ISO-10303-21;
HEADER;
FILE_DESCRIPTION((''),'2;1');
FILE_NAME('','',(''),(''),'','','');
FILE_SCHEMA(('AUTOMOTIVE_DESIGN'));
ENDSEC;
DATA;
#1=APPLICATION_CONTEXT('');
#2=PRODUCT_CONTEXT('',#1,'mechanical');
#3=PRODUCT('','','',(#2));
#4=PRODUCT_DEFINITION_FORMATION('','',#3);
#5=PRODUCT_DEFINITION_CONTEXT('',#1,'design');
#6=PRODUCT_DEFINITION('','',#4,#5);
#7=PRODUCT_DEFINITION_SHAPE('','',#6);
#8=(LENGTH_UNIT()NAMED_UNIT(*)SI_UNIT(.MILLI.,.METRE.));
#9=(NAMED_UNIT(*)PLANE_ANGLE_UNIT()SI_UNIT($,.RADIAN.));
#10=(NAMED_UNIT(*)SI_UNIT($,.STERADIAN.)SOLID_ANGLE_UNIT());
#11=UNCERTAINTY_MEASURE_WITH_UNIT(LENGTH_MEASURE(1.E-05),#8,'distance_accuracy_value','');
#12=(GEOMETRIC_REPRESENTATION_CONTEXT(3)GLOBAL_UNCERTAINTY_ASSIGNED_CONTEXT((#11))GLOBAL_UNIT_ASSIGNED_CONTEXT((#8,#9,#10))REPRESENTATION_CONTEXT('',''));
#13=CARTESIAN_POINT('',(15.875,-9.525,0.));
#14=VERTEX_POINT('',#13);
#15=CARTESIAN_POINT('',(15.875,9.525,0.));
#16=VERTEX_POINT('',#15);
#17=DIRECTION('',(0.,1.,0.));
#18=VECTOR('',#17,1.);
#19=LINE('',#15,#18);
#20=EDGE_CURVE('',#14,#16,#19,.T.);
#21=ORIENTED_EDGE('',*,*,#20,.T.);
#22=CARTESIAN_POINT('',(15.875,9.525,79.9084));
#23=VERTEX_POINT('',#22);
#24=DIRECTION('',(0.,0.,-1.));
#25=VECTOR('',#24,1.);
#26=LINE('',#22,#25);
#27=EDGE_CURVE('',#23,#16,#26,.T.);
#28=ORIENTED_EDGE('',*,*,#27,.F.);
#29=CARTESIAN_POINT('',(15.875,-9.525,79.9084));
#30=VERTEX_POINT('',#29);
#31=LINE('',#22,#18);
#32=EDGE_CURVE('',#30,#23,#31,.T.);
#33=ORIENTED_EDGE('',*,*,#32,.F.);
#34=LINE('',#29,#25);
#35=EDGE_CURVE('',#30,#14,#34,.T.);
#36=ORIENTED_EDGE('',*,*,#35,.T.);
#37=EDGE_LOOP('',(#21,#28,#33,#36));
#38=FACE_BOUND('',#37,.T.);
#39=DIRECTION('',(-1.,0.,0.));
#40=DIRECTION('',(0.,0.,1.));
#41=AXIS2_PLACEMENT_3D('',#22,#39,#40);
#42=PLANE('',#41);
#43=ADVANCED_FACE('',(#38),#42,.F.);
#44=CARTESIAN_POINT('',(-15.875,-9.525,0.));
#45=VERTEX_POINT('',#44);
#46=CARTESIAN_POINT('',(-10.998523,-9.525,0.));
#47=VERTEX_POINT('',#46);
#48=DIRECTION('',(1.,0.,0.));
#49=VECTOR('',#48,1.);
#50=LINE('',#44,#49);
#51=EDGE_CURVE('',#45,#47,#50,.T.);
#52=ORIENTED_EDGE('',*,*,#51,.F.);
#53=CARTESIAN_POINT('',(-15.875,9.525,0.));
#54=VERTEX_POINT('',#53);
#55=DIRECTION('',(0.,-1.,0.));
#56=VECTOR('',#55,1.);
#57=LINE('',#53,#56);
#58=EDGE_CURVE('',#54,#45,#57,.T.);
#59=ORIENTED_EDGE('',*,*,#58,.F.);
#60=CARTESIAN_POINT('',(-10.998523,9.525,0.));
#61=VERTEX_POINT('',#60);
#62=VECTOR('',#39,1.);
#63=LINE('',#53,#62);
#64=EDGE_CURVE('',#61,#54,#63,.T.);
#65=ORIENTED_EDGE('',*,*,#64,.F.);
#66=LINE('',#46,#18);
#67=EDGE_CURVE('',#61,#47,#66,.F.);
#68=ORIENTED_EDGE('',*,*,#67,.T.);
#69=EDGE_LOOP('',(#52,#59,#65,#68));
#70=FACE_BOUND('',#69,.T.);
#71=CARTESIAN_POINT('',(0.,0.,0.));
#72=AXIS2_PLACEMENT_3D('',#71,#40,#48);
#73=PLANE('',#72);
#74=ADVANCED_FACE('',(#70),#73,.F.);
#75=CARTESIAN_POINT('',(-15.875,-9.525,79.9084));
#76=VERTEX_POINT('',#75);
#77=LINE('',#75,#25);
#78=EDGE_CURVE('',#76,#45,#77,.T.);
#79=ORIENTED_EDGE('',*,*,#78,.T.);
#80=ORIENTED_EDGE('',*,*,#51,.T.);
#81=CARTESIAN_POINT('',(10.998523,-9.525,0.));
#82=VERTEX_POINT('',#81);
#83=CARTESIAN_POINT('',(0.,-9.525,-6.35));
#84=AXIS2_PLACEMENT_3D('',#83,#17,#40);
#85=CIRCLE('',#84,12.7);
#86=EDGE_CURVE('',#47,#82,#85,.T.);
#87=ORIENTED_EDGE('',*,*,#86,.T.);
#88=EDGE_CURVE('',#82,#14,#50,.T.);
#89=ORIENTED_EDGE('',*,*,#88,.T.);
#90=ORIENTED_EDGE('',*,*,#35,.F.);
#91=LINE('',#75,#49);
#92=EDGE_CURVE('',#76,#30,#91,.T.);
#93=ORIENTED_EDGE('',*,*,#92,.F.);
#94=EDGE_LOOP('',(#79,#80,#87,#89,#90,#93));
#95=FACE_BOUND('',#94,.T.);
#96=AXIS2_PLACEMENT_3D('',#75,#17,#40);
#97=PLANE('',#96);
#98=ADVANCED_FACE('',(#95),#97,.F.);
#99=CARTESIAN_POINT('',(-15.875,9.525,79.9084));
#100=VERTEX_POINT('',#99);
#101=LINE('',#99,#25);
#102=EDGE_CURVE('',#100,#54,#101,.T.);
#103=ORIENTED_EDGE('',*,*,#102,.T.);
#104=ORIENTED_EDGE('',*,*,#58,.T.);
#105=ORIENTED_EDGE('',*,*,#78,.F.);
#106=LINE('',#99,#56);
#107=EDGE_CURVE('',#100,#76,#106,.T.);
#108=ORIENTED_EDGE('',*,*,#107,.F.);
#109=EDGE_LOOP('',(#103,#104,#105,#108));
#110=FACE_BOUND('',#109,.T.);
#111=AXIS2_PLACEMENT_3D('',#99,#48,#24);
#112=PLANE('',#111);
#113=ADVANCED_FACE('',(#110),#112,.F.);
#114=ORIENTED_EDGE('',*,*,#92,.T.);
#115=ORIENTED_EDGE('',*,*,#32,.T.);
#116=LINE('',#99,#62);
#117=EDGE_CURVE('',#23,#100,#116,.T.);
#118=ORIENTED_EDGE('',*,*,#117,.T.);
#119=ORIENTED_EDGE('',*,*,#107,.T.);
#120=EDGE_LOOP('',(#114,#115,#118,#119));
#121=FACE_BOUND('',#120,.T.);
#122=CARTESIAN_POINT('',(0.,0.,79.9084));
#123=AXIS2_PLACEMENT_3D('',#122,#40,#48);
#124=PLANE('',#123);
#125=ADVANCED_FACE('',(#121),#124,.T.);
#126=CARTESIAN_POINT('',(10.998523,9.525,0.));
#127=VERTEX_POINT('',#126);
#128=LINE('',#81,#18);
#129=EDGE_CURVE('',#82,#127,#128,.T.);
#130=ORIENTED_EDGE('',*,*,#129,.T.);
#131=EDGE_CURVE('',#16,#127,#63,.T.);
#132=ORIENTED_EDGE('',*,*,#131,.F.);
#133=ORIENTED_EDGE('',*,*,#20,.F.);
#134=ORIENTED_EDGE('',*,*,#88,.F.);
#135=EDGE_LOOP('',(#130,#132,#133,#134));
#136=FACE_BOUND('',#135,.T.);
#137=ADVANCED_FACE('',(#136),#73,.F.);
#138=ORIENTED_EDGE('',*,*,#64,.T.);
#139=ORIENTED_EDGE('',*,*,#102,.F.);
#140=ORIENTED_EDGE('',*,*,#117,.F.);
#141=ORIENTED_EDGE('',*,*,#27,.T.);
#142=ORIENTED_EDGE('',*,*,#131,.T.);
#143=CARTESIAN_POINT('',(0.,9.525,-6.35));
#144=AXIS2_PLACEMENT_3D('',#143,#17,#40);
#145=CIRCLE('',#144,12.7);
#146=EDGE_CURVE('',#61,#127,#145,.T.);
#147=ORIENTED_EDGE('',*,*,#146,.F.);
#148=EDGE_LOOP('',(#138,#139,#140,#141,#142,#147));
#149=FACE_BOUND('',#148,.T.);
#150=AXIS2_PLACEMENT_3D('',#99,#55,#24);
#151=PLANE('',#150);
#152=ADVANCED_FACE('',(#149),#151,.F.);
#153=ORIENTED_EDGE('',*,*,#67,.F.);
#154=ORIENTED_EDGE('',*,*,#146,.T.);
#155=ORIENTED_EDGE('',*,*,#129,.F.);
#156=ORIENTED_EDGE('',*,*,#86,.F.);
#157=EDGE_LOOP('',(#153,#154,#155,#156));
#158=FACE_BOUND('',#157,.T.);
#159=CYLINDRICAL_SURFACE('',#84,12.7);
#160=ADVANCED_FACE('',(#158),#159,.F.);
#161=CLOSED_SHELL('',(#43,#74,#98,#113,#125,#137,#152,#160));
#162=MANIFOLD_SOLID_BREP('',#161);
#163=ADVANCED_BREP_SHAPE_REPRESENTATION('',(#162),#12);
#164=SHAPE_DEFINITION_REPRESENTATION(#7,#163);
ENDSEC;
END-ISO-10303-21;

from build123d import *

# Parameters (mm, degrees)
SKETCH1_W           = 31.75
SKETCH1_H           = 19.05
BOSS_EXTRUDE1_DEPTH = 79.9084
SKETCH2_R           = 12.7
CUT_EXTRUDE1_DEPTH  = 84.667619277


with BuildPart() as part:
    # Sketch1 → Boss-Extrude1 (new body)
    with BuildSketch(Plane.XY):
        Rectangle(SKETCH1_W, SKETCH1_H)
    extrude(amount=BOSS_EXTRUDE1_DEPTH)

    # Sketch2 → Cut-Extrude1 (cut, through all)
    with BuildSketch(Plane(origin=(0, 9.525, 0), x_dir=(1, 0, 0), z_dir=(0, 1, 0))):
        with Locations((0, 6.35)):
            Circle(SKETCH2_R)
    extrude(amount=-CUT_EXTRUDE1_DEPTH, mode=Mode.SUBTRACT)


solid = part.part
